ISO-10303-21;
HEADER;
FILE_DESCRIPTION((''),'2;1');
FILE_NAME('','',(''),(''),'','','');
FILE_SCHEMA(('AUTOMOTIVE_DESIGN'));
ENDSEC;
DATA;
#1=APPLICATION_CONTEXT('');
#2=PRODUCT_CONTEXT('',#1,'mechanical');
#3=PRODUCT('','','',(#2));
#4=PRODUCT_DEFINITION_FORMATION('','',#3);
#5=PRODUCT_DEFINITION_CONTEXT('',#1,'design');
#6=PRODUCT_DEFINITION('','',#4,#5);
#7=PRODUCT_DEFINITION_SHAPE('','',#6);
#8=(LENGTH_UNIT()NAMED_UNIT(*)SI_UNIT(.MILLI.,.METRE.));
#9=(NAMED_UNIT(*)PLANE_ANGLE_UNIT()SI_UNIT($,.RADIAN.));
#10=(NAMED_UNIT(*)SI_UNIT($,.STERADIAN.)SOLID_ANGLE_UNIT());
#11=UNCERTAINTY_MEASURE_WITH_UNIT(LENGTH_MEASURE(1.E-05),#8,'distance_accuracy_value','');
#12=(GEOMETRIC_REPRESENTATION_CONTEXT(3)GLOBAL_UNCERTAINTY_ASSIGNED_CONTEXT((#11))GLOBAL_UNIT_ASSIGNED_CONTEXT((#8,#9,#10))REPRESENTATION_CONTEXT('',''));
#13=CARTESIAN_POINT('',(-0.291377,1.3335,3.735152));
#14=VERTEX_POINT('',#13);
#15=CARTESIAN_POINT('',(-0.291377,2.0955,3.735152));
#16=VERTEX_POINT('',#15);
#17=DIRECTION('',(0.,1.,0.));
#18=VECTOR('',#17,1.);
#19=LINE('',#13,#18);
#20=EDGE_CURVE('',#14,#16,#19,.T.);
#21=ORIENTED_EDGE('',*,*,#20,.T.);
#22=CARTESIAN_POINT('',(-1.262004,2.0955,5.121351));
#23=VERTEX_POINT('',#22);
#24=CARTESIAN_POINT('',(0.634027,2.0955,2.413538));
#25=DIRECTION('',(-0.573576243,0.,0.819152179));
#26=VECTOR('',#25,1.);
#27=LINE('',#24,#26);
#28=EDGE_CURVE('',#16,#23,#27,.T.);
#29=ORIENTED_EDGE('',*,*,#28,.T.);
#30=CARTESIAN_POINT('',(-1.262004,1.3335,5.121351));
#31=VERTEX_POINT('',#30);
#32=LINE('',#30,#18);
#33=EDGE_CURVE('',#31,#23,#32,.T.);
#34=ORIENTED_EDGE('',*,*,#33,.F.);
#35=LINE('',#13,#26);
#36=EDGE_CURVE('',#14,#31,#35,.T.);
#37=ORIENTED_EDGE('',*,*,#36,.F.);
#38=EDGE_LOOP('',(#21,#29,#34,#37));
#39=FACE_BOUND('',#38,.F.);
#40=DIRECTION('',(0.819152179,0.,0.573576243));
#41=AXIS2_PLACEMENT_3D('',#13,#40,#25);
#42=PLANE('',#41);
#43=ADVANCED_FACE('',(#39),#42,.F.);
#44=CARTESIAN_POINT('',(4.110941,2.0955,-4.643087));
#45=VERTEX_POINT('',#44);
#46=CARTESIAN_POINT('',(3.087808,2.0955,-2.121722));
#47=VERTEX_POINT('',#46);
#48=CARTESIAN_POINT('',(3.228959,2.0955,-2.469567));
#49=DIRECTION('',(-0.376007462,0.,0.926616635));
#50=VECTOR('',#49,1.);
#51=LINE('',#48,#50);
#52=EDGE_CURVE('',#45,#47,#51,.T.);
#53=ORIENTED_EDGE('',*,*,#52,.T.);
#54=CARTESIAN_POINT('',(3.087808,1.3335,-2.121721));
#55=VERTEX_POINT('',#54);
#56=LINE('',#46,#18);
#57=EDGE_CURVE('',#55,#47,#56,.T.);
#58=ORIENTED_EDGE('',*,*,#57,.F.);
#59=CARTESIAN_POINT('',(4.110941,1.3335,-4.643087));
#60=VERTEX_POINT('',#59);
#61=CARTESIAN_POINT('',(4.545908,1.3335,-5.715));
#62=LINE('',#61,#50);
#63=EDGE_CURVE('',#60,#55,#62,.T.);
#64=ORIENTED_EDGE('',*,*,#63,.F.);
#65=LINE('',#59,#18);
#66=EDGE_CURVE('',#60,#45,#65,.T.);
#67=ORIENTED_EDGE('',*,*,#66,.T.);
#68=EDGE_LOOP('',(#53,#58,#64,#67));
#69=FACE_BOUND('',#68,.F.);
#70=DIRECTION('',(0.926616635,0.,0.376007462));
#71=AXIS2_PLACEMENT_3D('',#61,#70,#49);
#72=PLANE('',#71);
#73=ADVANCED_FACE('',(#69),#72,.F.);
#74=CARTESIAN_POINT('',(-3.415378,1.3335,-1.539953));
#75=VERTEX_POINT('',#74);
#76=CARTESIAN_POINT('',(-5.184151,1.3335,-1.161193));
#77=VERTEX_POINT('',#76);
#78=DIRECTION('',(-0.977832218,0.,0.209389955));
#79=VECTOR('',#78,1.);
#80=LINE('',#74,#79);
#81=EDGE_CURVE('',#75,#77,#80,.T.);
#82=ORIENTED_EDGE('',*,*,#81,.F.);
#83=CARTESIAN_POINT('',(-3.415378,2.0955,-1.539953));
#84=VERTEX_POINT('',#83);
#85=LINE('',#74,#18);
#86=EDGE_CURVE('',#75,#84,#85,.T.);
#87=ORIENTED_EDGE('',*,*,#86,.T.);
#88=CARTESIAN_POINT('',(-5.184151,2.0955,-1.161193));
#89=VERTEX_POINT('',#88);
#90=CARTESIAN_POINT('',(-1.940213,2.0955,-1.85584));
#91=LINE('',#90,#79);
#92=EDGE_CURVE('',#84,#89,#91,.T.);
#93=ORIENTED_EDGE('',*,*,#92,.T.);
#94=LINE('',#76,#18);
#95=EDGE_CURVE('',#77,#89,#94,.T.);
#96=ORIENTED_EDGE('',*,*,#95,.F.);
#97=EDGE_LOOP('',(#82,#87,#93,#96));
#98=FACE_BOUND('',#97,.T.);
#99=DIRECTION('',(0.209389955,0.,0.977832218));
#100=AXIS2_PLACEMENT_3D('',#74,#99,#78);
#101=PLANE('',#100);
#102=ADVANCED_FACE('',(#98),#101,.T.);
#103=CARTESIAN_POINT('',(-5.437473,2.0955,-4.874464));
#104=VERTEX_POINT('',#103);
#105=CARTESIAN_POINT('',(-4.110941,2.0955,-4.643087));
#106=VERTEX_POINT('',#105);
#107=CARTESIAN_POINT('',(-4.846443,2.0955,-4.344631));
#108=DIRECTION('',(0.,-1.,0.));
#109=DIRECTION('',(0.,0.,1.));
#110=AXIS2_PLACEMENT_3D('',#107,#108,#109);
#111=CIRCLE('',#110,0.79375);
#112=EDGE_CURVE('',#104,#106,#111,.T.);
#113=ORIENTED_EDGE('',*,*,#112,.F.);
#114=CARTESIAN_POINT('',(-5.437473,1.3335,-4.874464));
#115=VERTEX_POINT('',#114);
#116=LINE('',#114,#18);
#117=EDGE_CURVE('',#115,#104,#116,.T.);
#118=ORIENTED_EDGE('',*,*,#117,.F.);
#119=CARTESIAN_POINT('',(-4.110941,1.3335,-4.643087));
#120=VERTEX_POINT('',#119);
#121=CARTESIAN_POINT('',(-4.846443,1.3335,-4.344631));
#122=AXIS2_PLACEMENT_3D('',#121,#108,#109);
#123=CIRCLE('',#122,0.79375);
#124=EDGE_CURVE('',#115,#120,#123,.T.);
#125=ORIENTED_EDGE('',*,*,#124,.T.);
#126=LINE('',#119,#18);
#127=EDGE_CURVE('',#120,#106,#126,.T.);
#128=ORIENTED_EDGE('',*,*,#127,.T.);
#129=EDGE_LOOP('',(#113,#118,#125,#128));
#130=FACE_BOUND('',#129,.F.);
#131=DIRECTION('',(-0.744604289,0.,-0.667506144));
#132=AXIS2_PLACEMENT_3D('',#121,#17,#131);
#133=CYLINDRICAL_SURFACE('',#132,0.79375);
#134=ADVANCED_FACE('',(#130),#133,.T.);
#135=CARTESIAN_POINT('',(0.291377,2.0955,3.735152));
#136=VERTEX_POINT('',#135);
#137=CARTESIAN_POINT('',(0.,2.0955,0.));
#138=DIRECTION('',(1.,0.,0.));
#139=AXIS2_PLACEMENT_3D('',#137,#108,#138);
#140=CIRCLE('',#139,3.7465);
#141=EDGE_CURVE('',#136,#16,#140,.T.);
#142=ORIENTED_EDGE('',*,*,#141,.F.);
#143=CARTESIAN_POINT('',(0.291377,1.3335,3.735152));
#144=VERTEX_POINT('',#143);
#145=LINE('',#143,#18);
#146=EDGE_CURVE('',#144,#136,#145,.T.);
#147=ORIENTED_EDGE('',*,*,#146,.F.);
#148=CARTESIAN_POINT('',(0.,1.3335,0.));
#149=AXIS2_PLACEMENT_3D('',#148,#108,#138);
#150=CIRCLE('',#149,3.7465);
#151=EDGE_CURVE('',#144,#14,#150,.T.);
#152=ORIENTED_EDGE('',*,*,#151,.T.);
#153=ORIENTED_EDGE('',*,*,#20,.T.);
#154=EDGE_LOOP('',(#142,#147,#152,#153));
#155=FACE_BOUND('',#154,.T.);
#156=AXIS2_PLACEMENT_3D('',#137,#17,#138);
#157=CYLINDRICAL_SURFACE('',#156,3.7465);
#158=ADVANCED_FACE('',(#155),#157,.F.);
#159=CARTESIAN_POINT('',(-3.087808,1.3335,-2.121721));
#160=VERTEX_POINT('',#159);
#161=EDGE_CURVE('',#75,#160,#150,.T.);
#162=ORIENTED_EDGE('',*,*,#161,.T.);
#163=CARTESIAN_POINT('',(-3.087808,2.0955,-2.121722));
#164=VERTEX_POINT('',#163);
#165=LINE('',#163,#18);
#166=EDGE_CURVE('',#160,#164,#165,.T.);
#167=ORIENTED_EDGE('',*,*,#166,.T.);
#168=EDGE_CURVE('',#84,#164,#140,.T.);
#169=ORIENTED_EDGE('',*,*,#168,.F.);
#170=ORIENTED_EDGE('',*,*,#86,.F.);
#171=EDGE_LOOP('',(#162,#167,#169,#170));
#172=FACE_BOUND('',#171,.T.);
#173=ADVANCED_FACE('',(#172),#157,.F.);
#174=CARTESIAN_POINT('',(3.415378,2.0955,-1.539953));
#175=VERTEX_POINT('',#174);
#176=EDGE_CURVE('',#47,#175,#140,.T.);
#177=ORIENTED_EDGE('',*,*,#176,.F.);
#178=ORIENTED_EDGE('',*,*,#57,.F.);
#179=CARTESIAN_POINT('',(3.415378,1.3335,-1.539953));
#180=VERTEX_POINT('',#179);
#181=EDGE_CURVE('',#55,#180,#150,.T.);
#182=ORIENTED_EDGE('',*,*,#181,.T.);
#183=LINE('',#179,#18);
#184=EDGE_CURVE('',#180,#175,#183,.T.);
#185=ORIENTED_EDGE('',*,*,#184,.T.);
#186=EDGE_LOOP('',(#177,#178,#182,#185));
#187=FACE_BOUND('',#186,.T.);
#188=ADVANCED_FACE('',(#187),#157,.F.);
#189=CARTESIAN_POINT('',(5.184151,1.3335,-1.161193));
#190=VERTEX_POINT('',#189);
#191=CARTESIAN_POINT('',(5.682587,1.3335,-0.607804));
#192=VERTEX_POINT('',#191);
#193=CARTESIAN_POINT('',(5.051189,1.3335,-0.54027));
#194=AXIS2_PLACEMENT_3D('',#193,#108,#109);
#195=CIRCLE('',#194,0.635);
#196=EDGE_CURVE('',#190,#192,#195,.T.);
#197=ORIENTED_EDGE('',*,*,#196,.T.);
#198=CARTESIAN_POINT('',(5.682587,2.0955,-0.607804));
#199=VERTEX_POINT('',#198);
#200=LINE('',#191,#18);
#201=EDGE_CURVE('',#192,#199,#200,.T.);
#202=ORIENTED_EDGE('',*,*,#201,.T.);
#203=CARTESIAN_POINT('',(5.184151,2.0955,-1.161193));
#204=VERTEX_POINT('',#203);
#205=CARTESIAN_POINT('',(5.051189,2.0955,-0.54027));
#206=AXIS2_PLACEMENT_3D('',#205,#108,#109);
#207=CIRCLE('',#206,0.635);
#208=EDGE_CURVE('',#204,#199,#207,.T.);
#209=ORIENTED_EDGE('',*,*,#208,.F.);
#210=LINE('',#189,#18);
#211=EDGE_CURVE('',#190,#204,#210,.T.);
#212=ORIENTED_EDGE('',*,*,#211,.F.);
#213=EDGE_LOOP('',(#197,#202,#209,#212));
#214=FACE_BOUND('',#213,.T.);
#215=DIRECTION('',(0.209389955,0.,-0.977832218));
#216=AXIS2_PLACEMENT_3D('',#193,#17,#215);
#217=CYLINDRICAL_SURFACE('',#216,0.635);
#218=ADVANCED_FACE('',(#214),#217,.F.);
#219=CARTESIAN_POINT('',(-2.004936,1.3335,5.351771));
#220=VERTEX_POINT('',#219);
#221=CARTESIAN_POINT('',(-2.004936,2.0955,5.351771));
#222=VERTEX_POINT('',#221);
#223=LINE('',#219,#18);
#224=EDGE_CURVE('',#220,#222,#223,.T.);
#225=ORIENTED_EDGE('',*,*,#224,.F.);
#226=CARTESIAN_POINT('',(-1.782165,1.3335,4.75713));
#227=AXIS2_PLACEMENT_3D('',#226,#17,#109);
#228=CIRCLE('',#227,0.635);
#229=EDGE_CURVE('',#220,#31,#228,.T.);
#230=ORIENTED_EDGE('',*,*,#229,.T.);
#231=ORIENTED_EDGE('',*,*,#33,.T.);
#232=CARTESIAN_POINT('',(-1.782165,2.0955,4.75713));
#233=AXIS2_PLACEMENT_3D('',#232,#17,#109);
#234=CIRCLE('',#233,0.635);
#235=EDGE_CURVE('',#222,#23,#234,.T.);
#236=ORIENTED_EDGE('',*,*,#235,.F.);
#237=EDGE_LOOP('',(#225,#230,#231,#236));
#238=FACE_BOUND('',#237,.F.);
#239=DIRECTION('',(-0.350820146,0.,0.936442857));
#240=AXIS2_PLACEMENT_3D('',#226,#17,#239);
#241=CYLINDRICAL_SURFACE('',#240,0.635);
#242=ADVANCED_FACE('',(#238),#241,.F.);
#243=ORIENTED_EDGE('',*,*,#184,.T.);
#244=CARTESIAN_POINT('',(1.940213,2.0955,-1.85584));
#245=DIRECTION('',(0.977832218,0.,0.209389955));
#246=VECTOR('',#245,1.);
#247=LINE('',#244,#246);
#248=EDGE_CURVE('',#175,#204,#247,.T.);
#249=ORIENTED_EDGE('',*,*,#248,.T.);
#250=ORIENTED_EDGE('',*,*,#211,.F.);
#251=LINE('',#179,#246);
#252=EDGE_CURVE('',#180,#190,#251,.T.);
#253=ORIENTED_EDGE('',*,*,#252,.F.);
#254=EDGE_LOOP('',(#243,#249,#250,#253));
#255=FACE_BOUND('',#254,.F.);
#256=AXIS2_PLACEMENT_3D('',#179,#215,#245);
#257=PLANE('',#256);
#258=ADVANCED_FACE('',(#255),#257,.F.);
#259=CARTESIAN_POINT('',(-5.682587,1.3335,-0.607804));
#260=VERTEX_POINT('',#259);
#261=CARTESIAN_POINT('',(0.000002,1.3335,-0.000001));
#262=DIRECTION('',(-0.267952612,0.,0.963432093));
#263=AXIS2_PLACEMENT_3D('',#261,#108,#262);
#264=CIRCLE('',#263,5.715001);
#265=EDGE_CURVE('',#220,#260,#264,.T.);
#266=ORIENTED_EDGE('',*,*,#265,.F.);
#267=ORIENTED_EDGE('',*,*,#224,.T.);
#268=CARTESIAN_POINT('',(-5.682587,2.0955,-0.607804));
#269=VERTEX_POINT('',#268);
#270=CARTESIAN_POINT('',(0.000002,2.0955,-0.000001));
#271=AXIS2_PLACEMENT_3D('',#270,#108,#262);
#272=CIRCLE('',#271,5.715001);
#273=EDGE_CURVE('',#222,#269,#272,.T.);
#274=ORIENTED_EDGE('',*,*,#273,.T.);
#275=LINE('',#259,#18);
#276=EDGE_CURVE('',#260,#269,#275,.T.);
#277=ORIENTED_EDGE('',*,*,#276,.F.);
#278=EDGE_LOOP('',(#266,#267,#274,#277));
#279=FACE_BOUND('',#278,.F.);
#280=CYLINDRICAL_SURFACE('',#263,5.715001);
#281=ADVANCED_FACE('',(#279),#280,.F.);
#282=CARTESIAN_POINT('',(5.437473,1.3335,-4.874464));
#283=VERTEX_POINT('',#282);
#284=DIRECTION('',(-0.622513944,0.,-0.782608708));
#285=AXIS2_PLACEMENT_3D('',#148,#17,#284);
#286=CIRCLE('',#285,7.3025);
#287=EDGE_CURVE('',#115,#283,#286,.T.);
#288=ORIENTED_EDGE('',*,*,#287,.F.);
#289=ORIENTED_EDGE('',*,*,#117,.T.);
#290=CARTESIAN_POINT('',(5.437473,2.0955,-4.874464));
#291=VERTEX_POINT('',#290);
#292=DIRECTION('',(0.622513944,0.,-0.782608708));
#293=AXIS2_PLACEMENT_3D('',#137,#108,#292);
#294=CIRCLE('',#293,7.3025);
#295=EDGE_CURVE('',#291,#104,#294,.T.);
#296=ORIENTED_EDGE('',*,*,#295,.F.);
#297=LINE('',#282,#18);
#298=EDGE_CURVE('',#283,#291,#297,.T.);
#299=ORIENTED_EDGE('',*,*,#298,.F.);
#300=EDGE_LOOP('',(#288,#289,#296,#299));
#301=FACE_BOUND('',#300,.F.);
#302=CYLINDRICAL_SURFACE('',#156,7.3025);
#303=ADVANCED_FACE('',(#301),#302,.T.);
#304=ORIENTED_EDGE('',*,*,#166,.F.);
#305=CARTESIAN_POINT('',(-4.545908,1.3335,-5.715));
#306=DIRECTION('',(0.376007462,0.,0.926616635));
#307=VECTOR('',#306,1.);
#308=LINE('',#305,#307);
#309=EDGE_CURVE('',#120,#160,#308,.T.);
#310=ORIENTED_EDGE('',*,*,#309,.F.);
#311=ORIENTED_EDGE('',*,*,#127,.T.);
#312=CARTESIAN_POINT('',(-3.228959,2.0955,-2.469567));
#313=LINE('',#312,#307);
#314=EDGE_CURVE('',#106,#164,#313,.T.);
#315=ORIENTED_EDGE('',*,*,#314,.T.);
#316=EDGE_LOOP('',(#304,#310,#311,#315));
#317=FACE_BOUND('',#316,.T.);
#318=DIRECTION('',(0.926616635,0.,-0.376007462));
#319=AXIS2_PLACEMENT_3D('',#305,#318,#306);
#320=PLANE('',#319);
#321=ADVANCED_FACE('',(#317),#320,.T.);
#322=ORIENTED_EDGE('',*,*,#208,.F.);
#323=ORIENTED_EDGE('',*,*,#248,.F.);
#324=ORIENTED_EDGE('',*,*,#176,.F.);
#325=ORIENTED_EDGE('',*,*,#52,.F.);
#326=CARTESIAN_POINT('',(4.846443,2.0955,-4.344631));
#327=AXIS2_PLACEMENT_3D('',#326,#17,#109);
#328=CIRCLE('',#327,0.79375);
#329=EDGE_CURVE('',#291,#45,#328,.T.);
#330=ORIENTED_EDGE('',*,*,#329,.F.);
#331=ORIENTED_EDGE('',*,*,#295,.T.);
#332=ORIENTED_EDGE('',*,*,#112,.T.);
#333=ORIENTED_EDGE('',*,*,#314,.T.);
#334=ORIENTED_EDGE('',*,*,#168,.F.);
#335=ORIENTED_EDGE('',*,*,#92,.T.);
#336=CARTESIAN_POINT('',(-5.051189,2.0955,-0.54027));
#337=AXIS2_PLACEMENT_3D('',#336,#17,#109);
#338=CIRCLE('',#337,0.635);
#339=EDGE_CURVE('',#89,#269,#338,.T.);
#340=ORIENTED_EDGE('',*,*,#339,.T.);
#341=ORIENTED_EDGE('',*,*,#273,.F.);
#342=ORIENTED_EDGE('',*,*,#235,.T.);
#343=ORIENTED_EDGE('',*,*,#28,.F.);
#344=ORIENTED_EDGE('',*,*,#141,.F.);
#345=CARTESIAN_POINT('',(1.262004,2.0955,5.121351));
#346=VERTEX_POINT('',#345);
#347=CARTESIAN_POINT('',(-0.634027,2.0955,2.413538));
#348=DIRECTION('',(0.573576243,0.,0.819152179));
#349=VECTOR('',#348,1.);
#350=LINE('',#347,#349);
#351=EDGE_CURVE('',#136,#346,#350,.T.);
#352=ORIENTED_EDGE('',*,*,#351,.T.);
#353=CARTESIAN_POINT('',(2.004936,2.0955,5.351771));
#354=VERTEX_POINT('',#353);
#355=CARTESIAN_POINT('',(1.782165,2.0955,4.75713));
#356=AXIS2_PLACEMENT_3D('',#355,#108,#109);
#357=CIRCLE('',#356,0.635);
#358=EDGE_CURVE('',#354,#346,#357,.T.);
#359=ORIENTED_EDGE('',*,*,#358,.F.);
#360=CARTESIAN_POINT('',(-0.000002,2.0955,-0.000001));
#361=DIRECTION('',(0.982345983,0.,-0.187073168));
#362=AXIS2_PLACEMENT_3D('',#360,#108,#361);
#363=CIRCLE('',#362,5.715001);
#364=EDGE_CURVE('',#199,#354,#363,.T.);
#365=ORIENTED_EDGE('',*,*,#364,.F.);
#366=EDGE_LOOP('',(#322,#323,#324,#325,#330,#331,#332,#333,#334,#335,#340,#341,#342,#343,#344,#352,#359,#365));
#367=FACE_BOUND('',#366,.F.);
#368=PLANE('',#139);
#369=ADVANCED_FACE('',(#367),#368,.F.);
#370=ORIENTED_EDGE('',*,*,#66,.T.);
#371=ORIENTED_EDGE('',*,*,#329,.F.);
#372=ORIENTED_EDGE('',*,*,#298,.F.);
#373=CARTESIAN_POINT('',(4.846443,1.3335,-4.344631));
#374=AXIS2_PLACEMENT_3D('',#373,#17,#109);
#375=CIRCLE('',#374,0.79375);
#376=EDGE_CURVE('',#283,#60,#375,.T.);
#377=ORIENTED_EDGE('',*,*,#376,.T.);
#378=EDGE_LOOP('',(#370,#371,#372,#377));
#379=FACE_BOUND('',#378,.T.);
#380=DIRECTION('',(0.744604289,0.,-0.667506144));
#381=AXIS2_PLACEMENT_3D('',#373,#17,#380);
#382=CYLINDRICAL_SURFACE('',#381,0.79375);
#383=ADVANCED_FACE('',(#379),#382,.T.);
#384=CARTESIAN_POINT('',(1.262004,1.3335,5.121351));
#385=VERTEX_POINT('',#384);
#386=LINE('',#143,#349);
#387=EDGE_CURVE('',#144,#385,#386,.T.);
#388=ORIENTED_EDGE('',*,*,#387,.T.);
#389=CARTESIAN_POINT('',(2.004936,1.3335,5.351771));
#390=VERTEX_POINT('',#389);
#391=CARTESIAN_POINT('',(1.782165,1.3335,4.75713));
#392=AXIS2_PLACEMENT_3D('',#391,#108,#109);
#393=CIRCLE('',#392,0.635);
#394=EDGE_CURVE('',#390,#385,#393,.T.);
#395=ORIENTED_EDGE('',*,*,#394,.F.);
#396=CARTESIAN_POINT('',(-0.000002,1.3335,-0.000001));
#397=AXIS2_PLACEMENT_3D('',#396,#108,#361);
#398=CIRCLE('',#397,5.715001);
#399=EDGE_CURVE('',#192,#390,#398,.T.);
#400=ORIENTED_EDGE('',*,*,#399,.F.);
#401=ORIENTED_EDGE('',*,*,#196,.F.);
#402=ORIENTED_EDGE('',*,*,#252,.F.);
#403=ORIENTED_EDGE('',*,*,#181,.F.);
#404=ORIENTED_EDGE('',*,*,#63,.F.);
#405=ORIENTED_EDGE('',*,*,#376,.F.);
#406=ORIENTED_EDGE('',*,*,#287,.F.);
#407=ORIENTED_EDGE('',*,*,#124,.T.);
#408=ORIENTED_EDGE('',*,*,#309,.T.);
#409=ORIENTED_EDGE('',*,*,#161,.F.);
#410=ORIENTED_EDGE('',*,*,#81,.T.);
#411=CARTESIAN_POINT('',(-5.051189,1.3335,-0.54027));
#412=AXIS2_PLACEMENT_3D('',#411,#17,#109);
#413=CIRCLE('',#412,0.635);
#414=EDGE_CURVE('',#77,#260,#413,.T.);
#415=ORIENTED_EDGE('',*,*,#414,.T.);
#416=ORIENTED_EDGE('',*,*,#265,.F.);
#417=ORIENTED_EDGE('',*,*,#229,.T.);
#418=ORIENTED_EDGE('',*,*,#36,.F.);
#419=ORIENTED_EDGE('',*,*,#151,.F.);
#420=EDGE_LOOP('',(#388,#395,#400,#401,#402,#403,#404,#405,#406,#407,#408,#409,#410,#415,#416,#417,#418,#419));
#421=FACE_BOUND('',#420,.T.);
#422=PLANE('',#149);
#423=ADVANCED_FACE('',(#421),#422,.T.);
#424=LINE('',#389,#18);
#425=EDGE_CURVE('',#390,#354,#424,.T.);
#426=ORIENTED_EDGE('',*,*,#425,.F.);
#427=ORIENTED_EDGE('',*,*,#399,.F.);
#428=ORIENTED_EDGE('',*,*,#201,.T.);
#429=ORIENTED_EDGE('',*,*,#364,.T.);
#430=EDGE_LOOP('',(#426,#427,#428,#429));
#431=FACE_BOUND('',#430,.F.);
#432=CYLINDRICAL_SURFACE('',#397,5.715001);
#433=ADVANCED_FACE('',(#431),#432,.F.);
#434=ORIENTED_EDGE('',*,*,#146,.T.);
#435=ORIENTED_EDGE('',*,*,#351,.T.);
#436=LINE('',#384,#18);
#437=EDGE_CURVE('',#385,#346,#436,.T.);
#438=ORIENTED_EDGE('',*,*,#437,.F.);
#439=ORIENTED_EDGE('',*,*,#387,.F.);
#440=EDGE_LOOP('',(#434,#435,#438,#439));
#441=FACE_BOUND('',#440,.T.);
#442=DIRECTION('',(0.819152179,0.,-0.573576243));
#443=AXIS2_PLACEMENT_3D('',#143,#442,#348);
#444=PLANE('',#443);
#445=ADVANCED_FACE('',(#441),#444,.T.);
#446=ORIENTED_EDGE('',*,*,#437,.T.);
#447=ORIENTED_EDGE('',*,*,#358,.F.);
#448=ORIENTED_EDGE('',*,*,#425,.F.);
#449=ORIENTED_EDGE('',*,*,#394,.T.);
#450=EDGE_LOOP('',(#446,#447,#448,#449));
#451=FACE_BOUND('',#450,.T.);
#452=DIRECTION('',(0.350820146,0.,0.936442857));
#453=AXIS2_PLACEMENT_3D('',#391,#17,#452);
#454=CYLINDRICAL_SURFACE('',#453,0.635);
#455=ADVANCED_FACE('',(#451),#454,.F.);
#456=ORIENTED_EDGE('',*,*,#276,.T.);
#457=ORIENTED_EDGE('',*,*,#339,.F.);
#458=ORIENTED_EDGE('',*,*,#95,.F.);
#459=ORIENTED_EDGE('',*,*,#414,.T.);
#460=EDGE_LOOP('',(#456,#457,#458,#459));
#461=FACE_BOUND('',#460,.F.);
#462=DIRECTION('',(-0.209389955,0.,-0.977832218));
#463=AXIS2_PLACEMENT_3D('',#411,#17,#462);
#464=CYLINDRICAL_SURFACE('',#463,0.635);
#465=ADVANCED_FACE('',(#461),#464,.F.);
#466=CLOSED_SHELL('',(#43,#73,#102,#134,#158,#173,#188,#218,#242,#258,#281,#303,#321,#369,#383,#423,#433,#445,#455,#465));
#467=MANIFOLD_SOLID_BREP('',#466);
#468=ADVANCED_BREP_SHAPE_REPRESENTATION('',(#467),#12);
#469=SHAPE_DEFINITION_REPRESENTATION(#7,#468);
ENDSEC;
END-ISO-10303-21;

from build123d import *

# Parameters (mm, degrees)
SKETCH044_R     = 7.3025
SKETCH044_R_2   = 3.7465
PAD006_DEPTH    = 0.762
POCKET005_DEPTH = 0.763
FILLET002_R     = 0.79375
FILLET003_R     = 0.635


with BuildPart() as part:
    # Sketch044 → Pad006 (new body)
    with BuildSketch(Plane.XZ):
        Circle(SKETCH044_R)
        Circle(SKETCH044_R_2, mode=Mode.SUBTRACT)
    extrude(amount=PAD006_DEPTH)

    # Sketch045 (on Face4 of Pad006) → Pocket005 (cut, through all)
    with BuildSketch(Plane.XZ.offset(0.762)):
        with BuildLine():
            Line((-4.545908, -5.715), (-3.087808, -2.121721))
            Line((-3.087808, -2.121721), (-2.896797, -1.651))
            Line((-2.896797, -1.651), (-3.415378, -1.539953))
            Line((-3.415378, -1.539953), (-5.614107, -1.069124))
            ThreePointArc((-1.531348, 5.506015), (-4.855151, 3.014752), (-5.614107, -1.069124))
            Line((-0.291377, 3.735152), (-1.531348, 5.506015))
            Line((-0.291377, 3.735152), (0, 3.319023))
            Line((0, 3.319023), (0.291377, 3.735152))
            Line((0.291377, 3.735152), (1.531348, 5.506015))
            ThreePointArc((5.614107, -1.069124), (4.855151, 3.014752), (1.531348, 5.506015))
            Line((3.415378, -1.539953), (5.614107, -1.069124))
            Line((3.415378, -1.539953), (2.896797, -1.651))
            Line((2.896797, -1.651), (3.087808, -2.121721))
            Line((4.545908, -5.715), (3.087808, -2.121721))
            Line((4.545908, -5.715), (5.040156, -5.715))
            ThreePointArc((-5.040156, -5.715), (0, -7.62), (5.040156, -5.715))
            Line((-4.545908, -5.715), (-5.040156, -5.715))
        make_face()
    extrude(amount=-POCKET005_DEPTH, mode=Mode.SUBTRACT)

    # Fillet002
    fillet002_edges = [part.edges().sort_by_distance(p)[0] for p in [
        (-4.545908, -0.381, -5.715),
        (4.545908, -0.381, -5.715),
    ]]
    fillet(fillet002_edges, radius=FILLET002_R)

    # Fillet003
    fillet003_edges = [part.edges().sort_by_distance(p)[0] for p in [
        (-5.614107, -0.381, -1.069124),
        (5.614107, -0.381, -1.069124),
        (-1.531348, -0.381, 5.506015),
        (1.531348, -0.381, 5.506015),
    ]]
    fillet(fillet003_edges, radius=FILLET003_R)


with BuildPart() as part_1:
    # Body004 placement: moved
    add(part.part.moved(Location((0, 2.0955, 0))))


solid = part_1.part
